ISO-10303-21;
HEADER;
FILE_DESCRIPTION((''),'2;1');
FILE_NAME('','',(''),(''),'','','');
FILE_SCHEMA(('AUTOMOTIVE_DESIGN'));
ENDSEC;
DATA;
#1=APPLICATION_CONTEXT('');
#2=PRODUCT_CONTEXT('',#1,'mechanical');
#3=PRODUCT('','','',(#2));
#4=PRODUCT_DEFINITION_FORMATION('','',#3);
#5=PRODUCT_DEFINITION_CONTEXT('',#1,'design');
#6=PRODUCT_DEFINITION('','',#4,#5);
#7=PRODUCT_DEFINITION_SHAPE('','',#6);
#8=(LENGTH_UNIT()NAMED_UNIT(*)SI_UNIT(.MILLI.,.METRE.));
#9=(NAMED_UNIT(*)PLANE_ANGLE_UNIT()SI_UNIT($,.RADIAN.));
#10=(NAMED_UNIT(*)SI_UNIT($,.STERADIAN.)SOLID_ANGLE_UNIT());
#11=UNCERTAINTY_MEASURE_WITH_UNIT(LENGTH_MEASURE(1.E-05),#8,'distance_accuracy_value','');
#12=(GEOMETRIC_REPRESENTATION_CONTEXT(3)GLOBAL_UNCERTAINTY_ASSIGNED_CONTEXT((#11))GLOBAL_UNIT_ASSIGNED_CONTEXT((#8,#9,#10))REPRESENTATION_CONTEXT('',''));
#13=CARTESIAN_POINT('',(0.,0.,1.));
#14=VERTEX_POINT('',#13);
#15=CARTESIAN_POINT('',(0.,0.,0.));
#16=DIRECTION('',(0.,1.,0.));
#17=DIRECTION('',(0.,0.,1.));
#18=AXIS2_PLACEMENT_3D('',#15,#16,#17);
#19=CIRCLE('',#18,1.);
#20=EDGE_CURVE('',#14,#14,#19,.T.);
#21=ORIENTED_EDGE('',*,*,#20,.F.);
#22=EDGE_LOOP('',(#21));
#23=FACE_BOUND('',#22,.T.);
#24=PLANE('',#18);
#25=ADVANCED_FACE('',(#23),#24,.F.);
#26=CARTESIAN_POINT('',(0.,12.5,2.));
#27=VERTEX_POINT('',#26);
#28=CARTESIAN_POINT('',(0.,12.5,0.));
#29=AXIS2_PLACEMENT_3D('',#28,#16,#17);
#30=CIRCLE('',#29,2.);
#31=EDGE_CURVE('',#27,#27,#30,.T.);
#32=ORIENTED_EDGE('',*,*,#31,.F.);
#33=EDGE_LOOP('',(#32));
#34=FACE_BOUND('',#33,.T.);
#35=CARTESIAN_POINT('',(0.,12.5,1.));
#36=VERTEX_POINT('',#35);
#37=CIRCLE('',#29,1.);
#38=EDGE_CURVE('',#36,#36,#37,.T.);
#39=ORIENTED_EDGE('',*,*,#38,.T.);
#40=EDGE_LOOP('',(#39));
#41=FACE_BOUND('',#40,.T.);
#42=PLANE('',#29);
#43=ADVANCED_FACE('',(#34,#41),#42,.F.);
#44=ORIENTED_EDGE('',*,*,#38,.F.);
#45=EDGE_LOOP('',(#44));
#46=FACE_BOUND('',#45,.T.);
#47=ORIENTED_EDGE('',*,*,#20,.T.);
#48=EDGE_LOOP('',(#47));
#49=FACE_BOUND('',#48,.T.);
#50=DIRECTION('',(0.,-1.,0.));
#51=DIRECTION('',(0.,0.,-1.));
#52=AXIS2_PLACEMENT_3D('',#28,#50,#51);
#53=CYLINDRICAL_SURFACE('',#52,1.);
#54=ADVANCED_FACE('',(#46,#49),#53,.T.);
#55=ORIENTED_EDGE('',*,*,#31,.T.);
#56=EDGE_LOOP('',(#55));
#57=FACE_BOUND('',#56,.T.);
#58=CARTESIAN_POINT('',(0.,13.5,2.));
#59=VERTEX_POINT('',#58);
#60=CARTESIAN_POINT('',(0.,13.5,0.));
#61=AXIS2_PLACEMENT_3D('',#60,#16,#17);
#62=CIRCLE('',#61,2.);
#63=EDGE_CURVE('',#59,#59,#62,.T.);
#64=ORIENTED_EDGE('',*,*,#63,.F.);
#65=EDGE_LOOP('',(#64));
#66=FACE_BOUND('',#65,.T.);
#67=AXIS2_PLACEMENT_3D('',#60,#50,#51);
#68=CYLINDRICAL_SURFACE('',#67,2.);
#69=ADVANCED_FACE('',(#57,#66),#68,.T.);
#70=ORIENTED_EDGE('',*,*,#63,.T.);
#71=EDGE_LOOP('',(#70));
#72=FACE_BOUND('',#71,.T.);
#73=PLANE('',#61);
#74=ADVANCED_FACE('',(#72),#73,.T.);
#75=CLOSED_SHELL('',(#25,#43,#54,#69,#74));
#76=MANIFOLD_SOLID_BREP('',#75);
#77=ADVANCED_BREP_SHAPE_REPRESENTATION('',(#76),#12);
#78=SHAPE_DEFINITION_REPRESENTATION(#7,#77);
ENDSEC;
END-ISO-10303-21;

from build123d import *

# Parameters (mm, degrees)
SKETCH1_R           = 1
BOSS_EXTRUDE1_DEPTH = 12.5
SKETCH2_R           = 2
BOSS_EXTRUDE2_DEPTH = 1


with BuildPart() as part:
    # Sketch1 → Boss-Extrude1 (new body)
    with BuildSketch(Plane(origin=(0, 0, 0), x_dir=(1, 0, 0), z_dir=(0, 1, 0))):
        Circle(SKETCH1_R)
    extrude(amount=BOSS_EXTRUDE1_DEPTH)

    # Sketch2 → Boss-Extrude2 (add)
    with BuildSketch(Plane(origin=(0, 12.5, 0), x_dir=(1, 0, 0), z_dir=(0, 1, 0))):
        Circle(SKETCH2_R)
    extrude(amount=BOSS_EXTRUDE2_DEPTH)


solid = part.part
